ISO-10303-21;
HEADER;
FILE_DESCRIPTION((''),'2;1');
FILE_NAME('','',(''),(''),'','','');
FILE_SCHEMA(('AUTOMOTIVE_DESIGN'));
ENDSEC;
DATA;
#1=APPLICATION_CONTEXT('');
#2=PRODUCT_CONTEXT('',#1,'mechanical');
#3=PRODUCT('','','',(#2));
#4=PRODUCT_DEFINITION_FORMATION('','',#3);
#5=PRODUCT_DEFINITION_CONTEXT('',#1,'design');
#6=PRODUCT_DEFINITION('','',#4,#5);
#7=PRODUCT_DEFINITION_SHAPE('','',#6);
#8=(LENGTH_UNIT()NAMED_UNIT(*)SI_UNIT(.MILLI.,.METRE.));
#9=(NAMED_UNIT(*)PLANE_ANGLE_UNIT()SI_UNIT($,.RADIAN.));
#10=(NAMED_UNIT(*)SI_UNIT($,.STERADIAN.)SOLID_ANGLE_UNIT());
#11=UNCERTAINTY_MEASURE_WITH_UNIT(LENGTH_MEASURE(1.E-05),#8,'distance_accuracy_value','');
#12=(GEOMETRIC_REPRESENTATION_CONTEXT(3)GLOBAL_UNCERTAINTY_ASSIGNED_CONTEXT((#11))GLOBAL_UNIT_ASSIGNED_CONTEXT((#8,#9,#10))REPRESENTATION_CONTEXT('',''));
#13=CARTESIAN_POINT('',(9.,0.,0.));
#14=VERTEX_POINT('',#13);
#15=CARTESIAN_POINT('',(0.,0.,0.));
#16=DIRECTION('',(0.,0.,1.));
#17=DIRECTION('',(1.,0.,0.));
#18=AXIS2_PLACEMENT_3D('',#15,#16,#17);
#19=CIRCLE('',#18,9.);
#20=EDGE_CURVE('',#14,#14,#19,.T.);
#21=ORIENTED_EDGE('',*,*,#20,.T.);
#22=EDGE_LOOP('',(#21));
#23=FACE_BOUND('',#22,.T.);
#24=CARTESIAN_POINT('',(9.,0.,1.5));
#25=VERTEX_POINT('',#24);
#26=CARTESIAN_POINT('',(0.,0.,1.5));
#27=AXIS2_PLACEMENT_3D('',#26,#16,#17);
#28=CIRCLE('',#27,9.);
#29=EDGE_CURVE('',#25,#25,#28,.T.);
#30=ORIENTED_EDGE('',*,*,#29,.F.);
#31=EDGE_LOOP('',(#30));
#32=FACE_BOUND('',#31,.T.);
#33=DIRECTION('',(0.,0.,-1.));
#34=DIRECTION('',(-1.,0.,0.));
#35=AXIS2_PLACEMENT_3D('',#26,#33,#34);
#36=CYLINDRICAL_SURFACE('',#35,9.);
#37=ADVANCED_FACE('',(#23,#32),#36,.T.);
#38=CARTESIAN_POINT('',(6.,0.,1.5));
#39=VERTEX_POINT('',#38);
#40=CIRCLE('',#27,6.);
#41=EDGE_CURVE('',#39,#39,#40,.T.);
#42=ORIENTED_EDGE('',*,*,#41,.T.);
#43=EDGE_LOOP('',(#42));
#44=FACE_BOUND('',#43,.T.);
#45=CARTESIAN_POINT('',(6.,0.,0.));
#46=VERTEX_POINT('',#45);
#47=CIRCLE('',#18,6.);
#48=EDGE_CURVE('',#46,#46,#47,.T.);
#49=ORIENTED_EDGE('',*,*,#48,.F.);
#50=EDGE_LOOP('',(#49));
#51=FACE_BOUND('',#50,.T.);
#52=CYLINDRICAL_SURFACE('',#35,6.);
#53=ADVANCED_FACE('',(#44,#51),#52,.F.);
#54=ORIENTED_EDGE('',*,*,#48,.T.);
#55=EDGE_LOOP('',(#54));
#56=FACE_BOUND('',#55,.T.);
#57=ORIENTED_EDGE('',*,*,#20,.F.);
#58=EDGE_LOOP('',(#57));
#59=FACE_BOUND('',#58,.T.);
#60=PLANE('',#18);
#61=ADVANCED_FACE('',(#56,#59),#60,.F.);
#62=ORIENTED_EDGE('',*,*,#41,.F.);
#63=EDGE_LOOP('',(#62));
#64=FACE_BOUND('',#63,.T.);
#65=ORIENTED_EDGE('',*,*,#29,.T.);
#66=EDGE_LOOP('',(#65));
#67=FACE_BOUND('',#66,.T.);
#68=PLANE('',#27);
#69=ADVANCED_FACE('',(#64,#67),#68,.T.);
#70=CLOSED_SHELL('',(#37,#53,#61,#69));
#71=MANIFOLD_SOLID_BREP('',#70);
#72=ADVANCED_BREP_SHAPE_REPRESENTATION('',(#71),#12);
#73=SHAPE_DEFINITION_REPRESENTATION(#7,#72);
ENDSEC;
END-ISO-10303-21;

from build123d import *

# Parameters (mm, degrees)
SKETCH_1_R      = 9
SKETCH_1_R_2    = 6
EXTRUDE_1_DEPTH = 1.5


with BuildPart() as part:
    # Эскиз1 → Бобышка-Вытянуть1 (new body)
    with BuildSketch(Plane.XY):
        Circle(SKETCH_1_R)
        Circle(SKETCH_1_R_2, mode=Mode.SUBTRACT)
    extrude(amount=EXTRUDE_1_DEPTH)


solid = part.part
